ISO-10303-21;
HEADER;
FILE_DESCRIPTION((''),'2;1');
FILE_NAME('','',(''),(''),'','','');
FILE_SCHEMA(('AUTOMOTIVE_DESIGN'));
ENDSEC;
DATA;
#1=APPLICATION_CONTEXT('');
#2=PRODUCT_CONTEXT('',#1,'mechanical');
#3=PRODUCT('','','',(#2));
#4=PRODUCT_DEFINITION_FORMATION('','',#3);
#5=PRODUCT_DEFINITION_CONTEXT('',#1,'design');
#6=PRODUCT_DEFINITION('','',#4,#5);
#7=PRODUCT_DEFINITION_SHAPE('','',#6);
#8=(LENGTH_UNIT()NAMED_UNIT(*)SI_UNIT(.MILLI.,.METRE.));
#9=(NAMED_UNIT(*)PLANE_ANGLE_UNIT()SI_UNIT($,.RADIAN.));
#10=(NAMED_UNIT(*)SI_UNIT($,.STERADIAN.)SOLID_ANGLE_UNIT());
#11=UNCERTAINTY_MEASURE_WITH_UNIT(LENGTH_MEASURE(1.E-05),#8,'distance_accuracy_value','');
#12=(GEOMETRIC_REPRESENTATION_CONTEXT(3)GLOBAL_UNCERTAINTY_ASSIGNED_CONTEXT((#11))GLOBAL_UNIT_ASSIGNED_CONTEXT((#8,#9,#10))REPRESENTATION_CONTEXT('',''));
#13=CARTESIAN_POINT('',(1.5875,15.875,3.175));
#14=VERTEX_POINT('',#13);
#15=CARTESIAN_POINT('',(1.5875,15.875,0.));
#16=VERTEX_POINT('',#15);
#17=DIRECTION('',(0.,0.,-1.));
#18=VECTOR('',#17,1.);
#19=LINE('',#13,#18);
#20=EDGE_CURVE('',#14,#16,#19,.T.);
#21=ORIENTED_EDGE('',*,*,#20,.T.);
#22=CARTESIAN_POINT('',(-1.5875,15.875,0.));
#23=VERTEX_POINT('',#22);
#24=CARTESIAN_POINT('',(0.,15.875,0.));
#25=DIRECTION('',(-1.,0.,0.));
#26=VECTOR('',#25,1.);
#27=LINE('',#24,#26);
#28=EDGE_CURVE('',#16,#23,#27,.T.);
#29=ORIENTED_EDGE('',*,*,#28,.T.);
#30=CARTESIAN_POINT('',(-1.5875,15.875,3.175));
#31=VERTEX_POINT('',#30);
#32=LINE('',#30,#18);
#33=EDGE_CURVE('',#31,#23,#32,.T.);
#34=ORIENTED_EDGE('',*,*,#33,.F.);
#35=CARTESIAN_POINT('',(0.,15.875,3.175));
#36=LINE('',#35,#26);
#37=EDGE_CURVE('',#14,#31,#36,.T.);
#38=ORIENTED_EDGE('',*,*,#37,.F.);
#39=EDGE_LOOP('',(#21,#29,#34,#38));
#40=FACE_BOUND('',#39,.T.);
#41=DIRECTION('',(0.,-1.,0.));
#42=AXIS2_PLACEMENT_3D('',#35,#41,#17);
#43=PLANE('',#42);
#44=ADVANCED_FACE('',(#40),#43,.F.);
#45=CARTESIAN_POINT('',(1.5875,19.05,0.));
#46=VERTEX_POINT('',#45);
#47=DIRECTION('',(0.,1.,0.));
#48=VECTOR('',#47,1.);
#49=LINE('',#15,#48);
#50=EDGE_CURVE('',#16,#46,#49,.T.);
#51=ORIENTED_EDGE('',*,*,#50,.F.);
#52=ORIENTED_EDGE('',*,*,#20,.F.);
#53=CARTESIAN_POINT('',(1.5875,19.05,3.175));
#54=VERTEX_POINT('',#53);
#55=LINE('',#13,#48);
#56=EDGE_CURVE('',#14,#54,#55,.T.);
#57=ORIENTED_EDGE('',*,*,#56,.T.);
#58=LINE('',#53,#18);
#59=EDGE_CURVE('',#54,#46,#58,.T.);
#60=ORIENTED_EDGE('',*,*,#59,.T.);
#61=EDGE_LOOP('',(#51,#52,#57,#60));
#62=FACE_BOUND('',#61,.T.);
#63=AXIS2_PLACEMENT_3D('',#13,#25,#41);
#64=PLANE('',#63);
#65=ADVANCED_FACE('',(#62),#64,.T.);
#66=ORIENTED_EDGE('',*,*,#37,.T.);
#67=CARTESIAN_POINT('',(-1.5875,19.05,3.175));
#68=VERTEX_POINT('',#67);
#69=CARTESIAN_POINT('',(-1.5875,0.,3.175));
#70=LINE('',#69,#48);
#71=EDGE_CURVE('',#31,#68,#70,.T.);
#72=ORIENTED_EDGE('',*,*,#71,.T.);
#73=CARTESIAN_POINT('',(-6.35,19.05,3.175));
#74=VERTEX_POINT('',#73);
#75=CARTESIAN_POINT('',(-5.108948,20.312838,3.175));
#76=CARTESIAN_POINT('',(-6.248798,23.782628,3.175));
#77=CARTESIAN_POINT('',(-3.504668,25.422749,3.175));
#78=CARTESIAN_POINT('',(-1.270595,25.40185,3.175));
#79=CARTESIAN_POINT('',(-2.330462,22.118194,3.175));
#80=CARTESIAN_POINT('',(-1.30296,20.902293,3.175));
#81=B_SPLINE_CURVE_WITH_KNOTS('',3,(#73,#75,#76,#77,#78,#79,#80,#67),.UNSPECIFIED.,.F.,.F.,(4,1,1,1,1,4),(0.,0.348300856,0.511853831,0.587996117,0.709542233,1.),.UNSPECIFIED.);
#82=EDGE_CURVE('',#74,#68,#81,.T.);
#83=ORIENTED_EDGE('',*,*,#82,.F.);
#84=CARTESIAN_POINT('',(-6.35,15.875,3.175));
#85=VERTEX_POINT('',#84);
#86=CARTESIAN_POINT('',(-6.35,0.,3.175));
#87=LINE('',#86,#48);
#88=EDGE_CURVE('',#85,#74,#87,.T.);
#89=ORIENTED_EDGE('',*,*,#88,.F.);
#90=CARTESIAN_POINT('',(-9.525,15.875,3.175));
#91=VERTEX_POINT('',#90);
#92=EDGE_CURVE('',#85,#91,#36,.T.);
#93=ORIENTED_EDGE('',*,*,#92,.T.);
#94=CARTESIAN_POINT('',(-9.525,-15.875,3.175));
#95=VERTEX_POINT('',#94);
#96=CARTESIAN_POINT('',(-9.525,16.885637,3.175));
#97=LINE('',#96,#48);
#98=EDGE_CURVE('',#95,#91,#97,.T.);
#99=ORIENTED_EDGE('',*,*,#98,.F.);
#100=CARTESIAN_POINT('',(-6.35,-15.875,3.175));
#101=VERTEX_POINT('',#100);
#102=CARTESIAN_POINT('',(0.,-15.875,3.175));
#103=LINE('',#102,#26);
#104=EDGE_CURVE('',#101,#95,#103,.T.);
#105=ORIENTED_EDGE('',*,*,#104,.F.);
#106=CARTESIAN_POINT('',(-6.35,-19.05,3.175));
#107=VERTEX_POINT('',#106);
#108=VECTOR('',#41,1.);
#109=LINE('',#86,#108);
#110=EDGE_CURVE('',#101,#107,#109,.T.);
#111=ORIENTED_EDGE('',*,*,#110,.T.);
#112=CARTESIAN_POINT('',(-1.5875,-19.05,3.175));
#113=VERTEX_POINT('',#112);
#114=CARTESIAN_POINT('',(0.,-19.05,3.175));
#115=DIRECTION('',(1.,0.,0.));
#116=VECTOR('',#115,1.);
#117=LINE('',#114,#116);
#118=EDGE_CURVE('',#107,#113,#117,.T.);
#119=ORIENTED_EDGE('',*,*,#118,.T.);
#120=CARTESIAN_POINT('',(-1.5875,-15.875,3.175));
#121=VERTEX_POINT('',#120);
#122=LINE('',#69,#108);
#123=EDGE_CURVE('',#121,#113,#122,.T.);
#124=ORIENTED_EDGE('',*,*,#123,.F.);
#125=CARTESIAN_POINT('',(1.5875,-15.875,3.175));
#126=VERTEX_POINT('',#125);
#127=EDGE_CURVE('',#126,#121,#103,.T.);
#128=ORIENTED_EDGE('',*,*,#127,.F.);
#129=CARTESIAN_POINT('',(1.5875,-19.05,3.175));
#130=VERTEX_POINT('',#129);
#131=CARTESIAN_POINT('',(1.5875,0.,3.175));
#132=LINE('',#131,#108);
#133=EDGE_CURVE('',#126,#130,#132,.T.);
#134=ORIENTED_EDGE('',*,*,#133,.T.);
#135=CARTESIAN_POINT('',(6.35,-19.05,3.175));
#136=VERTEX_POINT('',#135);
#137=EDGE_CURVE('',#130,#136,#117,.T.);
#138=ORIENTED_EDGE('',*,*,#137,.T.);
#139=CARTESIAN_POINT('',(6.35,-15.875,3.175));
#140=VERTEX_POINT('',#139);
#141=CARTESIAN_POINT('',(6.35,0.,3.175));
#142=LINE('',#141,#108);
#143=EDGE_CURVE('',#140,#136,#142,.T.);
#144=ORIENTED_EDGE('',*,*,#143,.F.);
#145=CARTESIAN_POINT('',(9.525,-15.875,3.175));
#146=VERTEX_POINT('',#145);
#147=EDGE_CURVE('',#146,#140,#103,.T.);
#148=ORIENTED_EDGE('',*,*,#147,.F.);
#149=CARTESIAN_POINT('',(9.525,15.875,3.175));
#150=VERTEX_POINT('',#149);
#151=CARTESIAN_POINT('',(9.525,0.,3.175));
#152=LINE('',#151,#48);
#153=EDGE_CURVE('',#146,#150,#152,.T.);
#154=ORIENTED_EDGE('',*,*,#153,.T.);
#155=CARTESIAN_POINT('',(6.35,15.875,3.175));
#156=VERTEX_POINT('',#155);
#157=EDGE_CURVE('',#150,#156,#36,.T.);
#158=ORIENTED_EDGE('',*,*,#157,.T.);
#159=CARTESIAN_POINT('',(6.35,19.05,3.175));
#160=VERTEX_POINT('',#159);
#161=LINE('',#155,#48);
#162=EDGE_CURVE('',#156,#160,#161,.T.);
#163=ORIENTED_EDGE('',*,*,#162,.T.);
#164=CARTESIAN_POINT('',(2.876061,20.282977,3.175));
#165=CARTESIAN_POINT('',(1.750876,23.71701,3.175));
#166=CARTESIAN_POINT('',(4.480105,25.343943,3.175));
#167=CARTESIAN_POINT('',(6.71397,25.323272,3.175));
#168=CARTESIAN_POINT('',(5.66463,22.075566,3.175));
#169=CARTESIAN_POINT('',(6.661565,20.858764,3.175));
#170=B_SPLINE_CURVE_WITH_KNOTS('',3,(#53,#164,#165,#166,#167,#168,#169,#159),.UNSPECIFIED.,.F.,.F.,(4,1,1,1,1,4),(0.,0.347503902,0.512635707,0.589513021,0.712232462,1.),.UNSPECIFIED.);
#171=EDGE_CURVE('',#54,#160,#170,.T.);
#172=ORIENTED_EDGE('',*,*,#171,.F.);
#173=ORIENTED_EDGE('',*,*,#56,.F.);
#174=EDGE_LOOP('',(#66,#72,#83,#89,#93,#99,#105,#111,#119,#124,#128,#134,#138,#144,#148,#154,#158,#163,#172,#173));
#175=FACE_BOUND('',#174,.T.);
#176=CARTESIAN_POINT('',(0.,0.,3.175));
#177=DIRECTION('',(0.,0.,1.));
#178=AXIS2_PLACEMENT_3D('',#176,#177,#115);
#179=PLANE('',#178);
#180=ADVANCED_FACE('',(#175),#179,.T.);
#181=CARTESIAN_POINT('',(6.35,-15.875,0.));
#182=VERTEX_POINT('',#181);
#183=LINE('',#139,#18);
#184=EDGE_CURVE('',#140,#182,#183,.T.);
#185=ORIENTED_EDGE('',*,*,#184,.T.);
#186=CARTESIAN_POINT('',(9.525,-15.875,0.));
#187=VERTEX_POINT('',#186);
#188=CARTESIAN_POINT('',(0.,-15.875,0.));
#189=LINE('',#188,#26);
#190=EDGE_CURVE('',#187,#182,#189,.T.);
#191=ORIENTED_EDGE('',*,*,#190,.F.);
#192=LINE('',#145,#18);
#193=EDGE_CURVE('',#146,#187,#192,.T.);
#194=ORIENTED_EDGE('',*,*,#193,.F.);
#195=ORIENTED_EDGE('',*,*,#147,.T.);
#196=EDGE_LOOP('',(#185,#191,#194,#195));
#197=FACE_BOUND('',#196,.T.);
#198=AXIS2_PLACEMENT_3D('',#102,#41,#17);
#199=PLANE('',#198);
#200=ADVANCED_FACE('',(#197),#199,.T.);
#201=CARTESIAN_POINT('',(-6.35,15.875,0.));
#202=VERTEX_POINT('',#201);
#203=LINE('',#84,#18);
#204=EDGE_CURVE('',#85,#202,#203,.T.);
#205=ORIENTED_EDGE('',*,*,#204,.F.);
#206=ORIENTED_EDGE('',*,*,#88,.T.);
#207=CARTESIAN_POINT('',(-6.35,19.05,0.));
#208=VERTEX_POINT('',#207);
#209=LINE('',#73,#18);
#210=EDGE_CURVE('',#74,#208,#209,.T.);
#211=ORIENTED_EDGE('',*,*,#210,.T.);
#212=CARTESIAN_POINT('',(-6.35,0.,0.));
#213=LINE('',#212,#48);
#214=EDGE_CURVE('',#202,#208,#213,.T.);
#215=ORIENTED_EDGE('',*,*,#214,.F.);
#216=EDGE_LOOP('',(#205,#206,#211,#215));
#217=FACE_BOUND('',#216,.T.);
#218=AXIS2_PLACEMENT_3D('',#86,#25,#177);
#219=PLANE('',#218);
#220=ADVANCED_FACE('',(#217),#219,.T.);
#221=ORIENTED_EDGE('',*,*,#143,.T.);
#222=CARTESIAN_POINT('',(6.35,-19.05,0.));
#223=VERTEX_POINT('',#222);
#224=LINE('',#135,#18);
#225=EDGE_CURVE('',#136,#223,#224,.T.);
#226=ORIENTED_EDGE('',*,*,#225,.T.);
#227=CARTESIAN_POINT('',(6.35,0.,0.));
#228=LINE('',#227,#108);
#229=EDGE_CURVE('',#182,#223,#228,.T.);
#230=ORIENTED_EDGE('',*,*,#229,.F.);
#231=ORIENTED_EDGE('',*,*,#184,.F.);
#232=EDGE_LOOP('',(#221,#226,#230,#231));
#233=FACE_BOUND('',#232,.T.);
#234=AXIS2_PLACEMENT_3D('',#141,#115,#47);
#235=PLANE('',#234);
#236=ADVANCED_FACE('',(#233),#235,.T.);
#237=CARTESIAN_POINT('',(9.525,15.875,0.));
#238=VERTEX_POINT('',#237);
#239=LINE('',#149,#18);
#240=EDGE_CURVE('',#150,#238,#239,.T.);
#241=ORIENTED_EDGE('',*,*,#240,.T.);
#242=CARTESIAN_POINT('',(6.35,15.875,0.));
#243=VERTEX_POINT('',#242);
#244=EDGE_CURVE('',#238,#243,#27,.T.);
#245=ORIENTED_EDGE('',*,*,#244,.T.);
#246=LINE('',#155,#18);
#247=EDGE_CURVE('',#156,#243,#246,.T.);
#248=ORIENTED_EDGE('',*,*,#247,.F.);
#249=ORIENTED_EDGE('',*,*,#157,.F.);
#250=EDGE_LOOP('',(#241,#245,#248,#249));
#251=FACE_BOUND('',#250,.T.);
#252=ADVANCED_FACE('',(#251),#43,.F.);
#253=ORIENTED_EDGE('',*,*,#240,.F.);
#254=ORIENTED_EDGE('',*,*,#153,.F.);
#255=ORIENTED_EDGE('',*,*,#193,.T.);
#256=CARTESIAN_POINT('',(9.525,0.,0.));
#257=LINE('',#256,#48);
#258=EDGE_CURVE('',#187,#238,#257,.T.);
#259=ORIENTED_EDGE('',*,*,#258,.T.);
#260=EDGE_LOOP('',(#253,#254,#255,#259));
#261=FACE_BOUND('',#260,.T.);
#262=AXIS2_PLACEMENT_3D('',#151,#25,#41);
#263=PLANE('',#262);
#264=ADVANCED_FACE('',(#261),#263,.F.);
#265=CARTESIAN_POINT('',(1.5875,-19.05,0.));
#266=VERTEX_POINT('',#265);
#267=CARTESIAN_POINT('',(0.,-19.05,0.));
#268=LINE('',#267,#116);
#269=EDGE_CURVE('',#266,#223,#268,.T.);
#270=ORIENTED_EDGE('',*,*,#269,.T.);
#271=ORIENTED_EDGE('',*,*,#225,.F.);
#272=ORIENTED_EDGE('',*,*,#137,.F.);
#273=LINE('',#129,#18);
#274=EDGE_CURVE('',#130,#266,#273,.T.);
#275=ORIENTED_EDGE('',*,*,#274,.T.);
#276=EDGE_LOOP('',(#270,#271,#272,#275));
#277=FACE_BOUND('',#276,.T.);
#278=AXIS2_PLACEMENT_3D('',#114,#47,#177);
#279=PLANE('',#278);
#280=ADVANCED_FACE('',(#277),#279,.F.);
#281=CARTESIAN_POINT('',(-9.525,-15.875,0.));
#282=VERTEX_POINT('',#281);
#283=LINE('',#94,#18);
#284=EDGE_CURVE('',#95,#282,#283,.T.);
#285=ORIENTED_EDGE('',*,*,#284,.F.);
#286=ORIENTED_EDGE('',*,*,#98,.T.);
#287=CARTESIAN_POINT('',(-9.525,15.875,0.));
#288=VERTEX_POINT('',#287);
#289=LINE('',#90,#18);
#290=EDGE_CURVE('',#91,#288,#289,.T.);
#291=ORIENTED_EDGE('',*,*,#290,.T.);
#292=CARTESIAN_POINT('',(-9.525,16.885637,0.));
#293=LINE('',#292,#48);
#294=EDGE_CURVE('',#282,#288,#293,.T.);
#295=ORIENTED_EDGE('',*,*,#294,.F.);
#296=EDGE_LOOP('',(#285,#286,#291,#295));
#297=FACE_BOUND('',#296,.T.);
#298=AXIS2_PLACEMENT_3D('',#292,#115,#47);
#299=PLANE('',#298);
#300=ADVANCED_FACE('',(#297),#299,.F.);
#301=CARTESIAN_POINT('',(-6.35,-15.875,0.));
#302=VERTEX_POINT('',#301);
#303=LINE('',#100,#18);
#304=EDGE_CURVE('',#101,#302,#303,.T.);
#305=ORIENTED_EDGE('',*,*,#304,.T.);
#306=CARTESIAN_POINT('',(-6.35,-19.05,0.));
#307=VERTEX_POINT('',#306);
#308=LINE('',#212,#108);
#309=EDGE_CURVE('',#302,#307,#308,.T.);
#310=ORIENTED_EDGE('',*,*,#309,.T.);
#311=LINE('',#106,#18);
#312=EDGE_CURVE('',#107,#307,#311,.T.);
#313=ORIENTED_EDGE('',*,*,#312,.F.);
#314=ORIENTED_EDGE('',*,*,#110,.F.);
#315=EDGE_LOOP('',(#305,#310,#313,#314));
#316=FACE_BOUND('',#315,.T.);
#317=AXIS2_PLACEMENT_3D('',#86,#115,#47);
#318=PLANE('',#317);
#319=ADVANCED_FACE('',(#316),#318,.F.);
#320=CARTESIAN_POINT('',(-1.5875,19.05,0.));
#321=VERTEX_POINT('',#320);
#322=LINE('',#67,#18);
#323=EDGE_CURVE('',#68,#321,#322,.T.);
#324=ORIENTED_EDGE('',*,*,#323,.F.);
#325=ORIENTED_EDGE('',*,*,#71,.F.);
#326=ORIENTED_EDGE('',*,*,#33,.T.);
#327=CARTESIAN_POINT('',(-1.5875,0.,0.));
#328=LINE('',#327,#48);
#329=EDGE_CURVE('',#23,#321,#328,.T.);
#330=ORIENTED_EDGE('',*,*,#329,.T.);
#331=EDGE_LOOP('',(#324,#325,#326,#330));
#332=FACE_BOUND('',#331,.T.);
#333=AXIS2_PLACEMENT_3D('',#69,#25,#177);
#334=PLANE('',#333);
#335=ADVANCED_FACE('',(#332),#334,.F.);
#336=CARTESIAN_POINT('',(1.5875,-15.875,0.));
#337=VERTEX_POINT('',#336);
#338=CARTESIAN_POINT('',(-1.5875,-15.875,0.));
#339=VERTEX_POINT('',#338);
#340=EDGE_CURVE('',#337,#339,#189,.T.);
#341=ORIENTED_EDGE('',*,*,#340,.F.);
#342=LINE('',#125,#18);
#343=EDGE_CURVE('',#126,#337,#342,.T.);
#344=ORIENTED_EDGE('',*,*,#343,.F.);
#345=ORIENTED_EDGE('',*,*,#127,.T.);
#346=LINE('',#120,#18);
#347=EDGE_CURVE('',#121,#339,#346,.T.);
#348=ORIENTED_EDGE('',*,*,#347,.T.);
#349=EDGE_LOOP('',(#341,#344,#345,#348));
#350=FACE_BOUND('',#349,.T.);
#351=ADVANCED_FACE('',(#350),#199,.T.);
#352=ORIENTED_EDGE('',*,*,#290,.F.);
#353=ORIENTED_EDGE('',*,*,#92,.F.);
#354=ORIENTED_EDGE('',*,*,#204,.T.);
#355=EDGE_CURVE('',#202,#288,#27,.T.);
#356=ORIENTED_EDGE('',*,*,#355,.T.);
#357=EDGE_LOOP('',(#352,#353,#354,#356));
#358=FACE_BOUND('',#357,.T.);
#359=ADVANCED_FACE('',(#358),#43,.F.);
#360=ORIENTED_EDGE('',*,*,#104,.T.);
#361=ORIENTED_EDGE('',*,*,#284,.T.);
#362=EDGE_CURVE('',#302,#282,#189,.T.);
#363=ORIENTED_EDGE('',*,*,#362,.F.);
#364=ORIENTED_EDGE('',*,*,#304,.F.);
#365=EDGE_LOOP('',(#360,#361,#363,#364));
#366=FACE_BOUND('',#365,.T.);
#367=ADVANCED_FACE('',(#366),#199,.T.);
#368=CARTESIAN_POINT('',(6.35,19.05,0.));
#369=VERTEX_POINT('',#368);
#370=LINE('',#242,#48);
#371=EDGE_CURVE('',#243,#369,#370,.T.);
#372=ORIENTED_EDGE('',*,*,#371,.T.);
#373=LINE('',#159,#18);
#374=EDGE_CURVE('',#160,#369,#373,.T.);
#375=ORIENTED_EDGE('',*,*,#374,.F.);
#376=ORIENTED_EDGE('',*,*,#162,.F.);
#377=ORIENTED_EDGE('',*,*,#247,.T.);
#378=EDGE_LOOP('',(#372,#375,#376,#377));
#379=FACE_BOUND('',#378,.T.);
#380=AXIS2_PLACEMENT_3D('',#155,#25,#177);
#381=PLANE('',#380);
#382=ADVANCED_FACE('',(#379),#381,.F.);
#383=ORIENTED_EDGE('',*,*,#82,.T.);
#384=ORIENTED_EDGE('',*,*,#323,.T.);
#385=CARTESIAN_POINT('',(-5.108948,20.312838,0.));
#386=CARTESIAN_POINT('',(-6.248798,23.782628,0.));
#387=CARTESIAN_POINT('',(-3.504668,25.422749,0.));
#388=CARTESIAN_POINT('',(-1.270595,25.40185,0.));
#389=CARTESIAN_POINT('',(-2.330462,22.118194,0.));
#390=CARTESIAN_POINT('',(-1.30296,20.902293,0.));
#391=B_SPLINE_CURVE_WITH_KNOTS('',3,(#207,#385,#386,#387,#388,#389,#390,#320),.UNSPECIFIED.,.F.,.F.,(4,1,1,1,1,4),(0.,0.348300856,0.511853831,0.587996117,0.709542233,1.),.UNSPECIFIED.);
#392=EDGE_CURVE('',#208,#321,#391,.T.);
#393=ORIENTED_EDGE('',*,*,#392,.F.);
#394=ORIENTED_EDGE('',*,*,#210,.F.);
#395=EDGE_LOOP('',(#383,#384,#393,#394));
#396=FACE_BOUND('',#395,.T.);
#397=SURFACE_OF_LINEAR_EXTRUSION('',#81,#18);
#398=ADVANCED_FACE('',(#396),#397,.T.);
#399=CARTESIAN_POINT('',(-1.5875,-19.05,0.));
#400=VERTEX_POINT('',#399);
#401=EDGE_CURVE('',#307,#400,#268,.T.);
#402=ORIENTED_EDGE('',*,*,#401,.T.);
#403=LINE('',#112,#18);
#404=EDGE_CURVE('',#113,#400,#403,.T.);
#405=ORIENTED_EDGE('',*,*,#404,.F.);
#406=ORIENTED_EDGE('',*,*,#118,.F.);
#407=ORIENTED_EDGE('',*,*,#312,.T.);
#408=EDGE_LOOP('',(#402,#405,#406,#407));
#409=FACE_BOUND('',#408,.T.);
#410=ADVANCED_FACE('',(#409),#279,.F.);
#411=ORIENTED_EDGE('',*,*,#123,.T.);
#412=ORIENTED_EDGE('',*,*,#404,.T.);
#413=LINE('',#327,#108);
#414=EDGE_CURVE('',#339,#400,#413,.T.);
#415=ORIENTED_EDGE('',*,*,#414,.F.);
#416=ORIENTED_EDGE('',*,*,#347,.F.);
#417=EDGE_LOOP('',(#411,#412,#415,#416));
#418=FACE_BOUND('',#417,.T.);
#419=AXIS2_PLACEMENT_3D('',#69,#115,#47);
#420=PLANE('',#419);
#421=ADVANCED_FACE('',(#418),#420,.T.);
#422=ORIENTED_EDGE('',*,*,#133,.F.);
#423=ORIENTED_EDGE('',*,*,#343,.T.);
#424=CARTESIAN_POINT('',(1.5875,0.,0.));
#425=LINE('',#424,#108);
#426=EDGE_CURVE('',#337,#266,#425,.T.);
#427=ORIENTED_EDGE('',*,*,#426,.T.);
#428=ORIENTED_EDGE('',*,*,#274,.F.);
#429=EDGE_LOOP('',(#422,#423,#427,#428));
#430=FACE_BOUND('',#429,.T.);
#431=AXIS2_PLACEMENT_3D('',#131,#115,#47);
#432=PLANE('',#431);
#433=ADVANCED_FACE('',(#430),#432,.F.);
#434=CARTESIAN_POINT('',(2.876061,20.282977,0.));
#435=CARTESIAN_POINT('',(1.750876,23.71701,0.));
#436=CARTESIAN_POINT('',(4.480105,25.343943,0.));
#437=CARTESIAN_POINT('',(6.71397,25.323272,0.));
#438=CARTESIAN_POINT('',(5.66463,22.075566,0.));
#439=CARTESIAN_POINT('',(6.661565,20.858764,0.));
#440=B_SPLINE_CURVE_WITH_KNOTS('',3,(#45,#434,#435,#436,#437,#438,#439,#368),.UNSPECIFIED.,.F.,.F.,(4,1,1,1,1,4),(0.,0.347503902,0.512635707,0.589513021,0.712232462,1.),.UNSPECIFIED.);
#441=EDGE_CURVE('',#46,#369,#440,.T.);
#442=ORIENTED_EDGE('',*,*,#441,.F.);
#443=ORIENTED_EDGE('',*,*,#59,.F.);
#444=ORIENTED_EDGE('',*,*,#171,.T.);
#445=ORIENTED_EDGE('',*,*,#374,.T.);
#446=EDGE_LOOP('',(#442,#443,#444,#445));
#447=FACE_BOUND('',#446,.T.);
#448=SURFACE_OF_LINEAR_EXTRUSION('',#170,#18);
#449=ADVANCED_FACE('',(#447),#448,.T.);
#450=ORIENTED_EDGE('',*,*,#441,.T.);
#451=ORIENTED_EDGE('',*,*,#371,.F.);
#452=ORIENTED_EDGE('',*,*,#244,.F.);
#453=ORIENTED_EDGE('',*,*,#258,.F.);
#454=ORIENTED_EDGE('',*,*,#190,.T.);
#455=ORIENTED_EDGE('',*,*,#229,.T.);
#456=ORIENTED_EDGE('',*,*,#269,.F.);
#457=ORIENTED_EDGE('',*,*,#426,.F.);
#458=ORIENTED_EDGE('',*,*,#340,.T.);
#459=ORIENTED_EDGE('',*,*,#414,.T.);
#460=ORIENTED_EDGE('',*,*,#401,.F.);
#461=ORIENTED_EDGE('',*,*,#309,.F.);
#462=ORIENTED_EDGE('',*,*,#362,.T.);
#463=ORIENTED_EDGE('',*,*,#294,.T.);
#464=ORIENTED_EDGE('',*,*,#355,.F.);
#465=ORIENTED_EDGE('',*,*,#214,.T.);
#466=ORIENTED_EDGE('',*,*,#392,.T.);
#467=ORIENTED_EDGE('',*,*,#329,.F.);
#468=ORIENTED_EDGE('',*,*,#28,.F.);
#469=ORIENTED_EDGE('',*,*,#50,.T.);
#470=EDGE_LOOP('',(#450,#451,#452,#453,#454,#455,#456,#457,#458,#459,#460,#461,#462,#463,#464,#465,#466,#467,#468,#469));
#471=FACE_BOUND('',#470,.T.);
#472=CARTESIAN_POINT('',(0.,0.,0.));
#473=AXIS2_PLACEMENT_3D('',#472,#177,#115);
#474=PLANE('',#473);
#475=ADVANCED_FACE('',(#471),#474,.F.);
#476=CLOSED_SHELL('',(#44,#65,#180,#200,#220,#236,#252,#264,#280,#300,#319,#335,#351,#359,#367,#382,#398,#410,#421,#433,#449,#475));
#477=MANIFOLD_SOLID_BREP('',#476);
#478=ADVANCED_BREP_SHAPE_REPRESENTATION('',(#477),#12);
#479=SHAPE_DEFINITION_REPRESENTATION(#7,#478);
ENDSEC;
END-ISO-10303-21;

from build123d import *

# Parameters (mm, degrees)
SKETCH1_W           = 4.7625
SKETCH1_H           = 3.175
SKETCH1_R           = 2.38125
BOSS_EXTRUDE1_DEPTH = 3.175
SKETCH2_W           = 18.153868455
SKETCH2_H           = 36.5466036
CUT_EXTRUDE1_DEPTH  = 37.051048247


with BuildPart() as part:
    # Sketch1 → Boss-Extrude1 (new body)
    # profile 1 of 9: a face of its own
    with BuildSketch(Plane.XY):
        Polygon((6.35, -15.875), (9.525, -15.875), (9.525, 15.875), (6.35, 15.875), (1.5875, 15.875), (-1.5875, 15.875), (-6.35, 15.875), (-9.525, 15.875), (-9.525, -15.875), (-6.35, -15.875), (-1.5875, -15.875), (1.5875, -15.875), align=None)
    # profile 2 of 9: a face of its own
    with BuildSketch(Plane.XY):
        with Locations((3.96875, -17.4625)):
            Rectangle(SKETCH1_W, SKETCH1_H)
    # profile 3 of 9: a face of its own
    with BuildSketch(Plane.XY):
        with Locations((3.96875, 17.4625)):
            Rectangle(SKETCH1_W, SKETCH1_H)
    # profile 4 of 9: a face of its own
    with BuildSketch(Plane.XY):
        with Locations((-3.96875, -17.4625)):
            Rectangle(SKETCH1_W, SKETCH1_H)
    # profile 5 of 9: a face of its own
    with BuildSketch(Plane.XY):
        with BuildLine():
            Line((1.5875, 19.05), (6.35, 19.05))
            add(Edge.make_bspline(
                [(1.5875, 19.05), (2.876060697, 20.282977256), (1.750876168, 23.717010334), (4.480105354, 25.343943309), (6.713969799, 25.323271855), (5.664629716, 22.075566326), (6.66156491, 20.85876393), (6.35, 19.05)],
                knots=[0, 0, 0, 0, 0.347503902, 0.512635707, 0.589513021, 0.712232462, 1, 1, 1, 1], degree=3))
        make_face()
    # profile 6 of 9: a face of its own
    with BuildSketch(Plane.XY):
        with Locations((-3.96875, 17.4625)):
            Rectangle(SKETCH1_W, SKETCH1_H)
    # profile 7 of 9: a face of its own
    with BuildSketch(Plane.XY):
        with BuildLine():
            add(Edge.make_bspline(
                [(-21.547594304, -5.838195157), (-17.741398311, -7.466495201), (-15.030939304, -8.836500628), (-13.009281216, -15.917091584), (-9.525, -15.875)],
                knots=[0, 0, 0, 0, 0.458191309, 1, 1, 1, 1], degree=3))
            Line((-9.525, -15.875), (-9.525, 15.875))
            add(Edge.make_bspline(
                [(-21.547594304, 5.838195157), (-17.741398311, 7.466495201), (-15.030939304, 8.836500628), (-13.009281216, 15.917091584), (-9.525, 15.875)],
                knots=[0, 0, 0, 0, 0.458191309, 1, 1, 1, 1], degree=3))
            ThreePointArc((-21.547594304, 5.838195157), (-15.552659856, 5.300104896), (-12.7, 0))
            ThreePointArc((-12.7, 0), (-15.552659856, -5.300104896), (-21.547594304, -5.838195157))
        make_face()
    # profile 8 of 9: a face of its own
    with BuildSketch(Plane.XY):
        with BuildLine():
            Line((-6.35, 19.05), (-1.5875, 19.05))
            add(Edge.make_bspline(
                [(-6.35, 19.05), (-5.108948033, 20.312838142), (-6.248797567, 23.782627537), (-3.504668245, 25.422749175), (-1.270595434, 25.401850486), (-2.33046195, 22.118193687), (-1.30296019, 20.902293296), (-1.5875, 19.05)],
                knots=[0, 0, 0, 0, 0.348300856, 0.511853831, 0.587996117, 0.709542233, 1, 1, 1, 1], degree=3))
        make_face()
    # profile 9 of 9: a face of its own
    with BuildSketch(Plane.XY):
        with BuildLine():
            ThreePointArc((-21.547594304, 5.838195157), (-25.4, 0), (-21.547594304, -5.838195157))
            ThreePointArc((-21.547594304, -5.838195157), (-15.552659856, -5.300104896), (-12.7, 0))
            ThreePointArc((-12.7, 0), (-15.552659856, 5.300104896), (-21.547594304, 5.838195157))
        make_face()
        with Locations((-19.05, 0)):
            Circle(SKETCH1_R, mode=Mode.SUBTRACT)
    extrude(amount=BOSS_EXTRUDE1_DEPTH)

    # Sketch2 → Cut-Extrude1 (cut, through all)
    with BuildSketch(Plane.XY.offset(3.175)):
        with Locations((-18.601934228, -1.387664621)):
            Rectangle(SKETCH2_W, SKETCH2_H)
    extrude(amount=-CUT_EXTRUDE1_DEPTH, mode=Mode.SUBTRACT)


solid = part.part
